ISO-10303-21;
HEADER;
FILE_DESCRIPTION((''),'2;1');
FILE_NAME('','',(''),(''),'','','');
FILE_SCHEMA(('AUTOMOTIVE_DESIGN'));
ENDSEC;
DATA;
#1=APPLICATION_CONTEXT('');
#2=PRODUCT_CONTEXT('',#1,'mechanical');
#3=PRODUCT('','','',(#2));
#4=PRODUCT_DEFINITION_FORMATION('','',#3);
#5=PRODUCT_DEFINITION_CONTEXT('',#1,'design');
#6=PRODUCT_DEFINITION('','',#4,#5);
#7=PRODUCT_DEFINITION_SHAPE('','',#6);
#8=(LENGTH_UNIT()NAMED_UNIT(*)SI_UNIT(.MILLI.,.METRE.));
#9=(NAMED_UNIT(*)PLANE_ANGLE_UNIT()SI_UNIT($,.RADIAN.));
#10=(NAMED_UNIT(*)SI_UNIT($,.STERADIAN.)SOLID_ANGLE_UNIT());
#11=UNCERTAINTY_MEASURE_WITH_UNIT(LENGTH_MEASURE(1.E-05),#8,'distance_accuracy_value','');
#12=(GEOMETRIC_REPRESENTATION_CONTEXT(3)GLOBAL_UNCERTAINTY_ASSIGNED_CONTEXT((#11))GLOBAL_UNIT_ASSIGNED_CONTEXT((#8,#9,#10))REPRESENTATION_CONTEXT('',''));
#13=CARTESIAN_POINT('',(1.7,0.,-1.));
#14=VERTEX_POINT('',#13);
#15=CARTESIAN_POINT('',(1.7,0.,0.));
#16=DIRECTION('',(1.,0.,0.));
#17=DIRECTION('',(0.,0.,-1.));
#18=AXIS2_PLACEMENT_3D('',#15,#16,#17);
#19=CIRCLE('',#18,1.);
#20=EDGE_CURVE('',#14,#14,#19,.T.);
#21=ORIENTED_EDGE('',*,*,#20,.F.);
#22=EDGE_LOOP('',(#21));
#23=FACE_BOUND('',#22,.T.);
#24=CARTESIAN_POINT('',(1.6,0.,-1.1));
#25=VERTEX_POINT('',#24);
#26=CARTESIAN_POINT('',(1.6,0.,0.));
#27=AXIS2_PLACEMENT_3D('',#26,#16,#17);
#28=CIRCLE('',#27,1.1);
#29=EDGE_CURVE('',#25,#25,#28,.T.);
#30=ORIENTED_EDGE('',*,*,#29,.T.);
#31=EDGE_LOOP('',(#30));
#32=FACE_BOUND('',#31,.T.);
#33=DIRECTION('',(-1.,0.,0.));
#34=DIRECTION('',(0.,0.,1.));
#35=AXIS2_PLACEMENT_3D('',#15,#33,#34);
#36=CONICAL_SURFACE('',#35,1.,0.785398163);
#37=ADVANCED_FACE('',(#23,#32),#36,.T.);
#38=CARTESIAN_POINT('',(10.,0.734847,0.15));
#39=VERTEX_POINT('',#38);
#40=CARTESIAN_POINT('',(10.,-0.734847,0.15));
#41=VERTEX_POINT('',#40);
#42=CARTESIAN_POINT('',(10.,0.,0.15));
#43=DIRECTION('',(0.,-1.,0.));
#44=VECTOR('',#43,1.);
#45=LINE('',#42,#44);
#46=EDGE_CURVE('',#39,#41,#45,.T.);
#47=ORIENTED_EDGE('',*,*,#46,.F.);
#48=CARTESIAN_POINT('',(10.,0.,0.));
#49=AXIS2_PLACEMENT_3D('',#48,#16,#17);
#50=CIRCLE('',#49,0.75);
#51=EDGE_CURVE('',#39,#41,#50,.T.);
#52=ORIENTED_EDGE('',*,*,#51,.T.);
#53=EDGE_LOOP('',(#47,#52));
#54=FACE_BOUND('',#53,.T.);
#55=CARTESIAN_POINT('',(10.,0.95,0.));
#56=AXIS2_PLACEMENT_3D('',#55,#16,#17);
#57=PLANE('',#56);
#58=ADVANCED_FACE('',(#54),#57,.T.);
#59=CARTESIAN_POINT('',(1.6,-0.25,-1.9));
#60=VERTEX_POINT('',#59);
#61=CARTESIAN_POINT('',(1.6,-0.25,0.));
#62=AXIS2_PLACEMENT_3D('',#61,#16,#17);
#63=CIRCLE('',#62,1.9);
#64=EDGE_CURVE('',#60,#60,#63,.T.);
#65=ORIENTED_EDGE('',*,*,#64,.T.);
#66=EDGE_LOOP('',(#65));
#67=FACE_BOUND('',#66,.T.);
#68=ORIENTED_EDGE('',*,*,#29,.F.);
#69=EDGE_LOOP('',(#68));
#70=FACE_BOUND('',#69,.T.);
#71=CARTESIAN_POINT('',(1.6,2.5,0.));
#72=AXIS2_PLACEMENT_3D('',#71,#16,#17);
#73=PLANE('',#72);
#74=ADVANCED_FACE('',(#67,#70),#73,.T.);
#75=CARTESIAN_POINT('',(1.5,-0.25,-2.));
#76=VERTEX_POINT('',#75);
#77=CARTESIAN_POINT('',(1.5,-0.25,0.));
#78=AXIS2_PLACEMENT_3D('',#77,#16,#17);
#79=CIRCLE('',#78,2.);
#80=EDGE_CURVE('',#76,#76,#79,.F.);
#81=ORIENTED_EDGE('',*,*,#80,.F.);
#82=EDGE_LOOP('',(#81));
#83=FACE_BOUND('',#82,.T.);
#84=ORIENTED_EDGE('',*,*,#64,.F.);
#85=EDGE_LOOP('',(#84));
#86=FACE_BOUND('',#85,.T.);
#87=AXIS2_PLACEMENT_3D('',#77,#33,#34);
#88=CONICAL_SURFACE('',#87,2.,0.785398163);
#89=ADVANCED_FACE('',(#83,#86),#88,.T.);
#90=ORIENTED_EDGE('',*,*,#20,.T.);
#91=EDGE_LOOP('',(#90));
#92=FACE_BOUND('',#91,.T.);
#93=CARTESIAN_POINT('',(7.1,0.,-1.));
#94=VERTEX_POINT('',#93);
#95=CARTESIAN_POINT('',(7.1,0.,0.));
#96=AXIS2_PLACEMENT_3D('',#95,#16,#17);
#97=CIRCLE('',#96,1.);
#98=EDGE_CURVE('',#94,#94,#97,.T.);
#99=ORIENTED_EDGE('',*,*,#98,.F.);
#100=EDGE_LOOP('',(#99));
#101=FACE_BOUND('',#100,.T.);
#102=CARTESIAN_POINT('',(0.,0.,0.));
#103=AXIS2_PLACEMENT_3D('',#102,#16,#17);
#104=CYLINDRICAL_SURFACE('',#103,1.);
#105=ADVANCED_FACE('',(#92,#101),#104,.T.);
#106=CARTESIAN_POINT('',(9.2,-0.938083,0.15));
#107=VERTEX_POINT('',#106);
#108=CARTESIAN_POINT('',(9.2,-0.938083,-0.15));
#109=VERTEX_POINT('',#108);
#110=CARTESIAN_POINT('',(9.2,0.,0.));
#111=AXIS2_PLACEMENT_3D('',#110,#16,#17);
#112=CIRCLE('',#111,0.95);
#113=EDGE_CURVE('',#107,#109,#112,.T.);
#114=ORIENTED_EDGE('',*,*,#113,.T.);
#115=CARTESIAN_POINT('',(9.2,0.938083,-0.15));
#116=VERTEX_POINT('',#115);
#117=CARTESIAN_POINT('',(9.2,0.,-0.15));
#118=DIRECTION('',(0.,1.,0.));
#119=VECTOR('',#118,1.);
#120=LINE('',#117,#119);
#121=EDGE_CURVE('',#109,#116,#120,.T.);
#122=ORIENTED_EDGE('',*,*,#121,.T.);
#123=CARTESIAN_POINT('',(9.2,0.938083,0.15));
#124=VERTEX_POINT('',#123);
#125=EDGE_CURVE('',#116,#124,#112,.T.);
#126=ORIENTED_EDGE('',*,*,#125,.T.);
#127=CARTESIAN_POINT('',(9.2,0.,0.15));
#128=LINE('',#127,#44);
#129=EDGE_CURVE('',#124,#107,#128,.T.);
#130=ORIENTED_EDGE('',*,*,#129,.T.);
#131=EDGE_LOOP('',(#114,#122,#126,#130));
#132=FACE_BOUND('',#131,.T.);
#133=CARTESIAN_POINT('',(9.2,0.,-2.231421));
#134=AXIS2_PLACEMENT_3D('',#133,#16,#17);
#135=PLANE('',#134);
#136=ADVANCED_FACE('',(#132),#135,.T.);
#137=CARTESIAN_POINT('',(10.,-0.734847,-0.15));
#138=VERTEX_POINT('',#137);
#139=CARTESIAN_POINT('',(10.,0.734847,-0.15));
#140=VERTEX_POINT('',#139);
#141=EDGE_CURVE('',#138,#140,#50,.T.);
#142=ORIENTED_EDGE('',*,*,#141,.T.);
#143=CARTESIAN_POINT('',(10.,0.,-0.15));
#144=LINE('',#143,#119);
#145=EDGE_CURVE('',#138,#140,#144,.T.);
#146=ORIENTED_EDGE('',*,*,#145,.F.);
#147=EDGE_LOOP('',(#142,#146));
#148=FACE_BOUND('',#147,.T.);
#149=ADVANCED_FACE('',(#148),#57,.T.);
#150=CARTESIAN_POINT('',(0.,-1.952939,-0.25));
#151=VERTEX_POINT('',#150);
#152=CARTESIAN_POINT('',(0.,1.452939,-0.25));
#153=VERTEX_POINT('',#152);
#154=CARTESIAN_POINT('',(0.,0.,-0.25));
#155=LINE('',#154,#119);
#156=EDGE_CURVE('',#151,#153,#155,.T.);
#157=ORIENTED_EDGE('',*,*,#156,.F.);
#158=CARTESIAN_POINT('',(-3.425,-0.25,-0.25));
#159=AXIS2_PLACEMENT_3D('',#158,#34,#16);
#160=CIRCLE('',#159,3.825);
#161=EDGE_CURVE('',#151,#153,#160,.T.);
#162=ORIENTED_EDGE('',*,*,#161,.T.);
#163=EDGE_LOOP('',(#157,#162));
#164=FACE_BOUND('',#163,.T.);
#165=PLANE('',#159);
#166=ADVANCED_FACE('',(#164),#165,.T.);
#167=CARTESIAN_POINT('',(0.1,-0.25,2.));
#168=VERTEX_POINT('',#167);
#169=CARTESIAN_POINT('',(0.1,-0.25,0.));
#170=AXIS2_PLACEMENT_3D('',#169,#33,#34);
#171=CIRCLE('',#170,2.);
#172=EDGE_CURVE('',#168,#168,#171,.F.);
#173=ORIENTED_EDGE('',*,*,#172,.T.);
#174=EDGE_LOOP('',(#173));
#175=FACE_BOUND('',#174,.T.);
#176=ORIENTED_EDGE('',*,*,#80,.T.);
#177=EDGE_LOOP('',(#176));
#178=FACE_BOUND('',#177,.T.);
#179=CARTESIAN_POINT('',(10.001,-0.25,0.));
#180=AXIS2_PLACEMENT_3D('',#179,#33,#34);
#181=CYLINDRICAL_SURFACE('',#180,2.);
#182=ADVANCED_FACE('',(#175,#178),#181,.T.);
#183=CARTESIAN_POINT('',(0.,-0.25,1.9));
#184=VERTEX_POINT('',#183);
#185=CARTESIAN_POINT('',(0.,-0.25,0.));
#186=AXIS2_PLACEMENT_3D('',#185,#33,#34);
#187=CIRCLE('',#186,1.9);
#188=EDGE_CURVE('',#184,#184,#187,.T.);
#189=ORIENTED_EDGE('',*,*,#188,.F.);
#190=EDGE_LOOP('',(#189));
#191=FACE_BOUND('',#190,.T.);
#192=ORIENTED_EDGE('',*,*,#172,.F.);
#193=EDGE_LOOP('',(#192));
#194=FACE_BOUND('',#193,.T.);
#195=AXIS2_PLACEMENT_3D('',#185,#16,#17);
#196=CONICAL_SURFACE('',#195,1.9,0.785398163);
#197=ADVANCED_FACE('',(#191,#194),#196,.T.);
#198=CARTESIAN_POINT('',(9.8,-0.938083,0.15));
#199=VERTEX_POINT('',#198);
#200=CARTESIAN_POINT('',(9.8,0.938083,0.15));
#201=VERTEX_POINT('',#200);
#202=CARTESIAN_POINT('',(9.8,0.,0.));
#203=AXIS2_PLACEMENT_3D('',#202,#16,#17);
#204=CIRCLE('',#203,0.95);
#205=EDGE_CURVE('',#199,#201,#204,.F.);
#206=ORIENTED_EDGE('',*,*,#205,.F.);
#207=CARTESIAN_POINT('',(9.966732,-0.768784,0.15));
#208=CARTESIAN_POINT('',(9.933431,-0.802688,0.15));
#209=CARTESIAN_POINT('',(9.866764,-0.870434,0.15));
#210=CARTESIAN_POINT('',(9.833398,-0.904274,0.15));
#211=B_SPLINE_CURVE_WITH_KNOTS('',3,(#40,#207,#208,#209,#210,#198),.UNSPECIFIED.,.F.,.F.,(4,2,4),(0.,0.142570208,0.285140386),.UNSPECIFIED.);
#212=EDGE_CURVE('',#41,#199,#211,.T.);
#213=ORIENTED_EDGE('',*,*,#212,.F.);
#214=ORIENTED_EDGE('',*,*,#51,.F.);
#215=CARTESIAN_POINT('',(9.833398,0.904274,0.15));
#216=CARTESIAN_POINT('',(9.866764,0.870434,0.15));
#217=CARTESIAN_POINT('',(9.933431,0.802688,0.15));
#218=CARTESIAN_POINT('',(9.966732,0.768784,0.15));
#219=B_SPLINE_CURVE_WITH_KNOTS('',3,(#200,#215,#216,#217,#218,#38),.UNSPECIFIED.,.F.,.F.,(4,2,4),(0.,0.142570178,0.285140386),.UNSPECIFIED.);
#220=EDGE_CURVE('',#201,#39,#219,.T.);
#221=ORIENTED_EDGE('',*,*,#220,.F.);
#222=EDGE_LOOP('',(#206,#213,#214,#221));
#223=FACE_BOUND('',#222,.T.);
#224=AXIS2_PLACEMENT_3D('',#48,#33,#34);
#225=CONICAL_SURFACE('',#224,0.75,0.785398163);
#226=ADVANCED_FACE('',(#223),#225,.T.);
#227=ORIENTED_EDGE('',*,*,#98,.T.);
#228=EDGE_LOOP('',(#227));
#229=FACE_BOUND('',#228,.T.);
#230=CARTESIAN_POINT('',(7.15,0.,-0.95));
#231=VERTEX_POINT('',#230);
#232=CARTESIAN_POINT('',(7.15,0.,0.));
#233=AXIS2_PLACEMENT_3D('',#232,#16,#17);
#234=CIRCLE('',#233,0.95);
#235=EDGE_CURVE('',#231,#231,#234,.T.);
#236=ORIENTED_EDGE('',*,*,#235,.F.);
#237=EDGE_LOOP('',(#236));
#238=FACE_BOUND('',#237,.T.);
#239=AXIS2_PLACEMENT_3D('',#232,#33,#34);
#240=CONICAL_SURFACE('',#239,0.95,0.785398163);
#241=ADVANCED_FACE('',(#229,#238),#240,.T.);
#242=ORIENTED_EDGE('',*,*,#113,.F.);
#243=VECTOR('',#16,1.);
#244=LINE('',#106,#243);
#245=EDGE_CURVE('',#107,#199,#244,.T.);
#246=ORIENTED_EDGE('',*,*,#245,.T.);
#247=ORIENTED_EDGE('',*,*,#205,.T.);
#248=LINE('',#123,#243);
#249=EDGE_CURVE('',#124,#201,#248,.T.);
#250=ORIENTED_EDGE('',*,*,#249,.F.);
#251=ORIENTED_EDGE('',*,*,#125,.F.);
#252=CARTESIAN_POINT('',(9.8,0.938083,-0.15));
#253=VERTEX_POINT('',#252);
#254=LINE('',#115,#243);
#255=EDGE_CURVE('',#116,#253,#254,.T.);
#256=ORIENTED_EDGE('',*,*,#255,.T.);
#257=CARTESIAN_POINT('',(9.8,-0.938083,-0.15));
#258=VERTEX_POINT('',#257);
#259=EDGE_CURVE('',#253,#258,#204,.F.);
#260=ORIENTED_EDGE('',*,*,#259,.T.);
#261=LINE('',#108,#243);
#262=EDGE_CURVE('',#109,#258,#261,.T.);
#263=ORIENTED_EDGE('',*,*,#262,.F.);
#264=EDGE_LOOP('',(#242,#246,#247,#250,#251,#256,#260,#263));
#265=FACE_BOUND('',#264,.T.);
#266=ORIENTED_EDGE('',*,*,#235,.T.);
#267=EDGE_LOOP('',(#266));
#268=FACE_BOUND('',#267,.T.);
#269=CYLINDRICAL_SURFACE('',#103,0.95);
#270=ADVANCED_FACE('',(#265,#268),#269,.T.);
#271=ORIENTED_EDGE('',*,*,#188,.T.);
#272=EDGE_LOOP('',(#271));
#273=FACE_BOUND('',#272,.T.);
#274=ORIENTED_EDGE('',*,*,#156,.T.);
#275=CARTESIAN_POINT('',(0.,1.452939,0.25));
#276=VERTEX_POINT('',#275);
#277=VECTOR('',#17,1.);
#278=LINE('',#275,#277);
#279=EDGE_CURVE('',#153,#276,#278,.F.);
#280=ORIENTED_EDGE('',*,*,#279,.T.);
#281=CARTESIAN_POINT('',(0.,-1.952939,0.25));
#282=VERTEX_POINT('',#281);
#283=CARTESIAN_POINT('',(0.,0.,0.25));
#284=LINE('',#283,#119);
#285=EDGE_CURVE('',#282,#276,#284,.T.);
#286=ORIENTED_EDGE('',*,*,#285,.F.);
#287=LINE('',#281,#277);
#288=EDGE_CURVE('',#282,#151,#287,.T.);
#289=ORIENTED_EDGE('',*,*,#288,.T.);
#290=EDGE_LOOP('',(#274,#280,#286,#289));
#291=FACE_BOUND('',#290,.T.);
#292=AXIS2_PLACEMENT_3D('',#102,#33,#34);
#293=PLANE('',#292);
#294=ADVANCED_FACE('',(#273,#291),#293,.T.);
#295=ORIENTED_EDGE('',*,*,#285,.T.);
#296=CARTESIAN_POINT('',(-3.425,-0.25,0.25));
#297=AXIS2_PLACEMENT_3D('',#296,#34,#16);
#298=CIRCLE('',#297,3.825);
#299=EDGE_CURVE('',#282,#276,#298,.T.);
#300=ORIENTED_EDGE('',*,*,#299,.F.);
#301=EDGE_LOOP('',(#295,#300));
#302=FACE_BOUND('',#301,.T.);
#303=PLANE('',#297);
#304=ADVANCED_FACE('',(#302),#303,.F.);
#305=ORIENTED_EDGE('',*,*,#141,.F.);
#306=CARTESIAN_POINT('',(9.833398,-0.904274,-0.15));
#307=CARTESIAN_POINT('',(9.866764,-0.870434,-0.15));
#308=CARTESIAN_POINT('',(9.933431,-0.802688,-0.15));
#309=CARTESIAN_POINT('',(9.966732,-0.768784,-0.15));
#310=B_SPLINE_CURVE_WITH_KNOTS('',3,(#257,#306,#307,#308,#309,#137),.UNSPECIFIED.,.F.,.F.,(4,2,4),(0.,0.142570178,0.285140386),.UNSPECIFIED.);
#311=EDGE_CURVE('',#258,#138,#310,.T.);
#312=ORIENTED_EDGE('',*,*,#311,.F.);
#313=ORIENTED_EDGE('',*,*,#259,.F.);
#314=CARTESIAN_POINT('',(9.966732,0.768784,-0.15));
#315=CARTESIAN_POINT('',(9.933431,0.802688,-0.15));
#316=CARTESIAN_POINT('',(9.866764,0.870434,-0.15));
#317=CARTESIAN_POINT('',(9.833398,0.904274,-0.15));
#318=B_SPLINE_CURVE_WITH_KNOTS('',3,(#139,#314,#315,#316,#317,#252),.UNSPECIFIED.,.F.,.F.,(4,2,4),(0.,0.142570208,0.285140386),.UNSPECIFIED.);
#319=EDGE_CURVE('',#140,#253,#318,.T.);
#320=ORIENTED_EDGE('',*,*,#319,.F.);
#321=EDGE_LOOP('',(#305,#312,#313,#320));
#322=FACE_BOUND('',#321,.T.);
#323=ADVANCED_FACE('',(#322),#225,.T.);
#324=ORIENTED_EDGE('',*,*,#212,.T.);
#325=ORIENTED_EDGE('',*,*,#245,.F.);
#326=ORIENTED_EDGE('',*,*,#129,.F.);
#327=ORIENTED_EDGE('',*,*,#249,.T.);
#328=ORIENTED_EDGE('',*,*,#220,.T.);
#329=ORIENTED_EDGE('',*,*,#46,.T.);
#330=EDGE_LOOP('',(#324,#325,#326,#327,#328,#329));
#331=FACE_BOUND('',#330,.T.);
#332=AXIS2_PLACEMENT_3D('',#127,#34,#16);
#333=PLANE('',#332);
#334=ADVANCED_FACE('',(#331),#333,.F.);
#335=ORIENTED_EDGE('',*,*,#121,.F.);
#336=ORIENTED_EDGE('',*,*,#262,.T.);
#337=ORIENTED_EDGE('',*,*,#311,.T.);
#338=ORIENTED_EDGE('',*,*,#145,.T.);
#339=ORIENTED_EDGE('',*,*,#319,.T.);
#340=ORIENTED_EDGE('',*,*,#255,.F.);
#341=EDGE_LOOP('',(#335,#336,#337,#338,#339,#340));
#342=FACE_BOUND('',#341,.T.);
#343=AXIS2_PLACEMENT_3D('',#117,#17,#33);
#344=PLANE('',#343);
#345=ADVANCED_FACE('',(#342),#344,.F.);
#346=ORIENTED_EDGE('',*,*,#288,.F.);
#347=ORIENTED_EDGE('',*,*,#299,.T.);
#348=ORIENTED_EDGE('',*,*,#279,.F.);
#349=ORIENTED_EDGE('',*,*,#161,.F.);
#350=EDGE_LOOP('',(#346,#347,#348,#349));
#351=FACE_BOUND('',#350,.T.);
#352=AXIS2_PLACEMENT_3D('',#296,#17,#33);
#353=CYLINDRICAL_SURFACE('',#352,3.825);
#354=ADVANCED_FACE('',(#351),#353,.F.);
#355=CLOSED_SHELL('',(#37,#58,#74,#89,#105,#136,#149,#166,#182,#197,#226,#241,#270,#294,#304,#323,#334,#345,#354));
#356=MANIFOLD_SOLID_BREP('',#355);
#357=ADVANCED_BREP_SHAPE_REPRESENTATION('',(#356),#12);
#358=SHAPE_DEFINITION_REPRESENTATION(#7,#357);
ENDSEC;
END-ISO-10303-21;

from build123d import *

# Parameters (mm, degrees)
CUT_EXTRUDE_5_REACH      = 12
SKETCH_2_R               = 2.5
SKETCH_2_R_2             = 2
CUT_EXTRUDE_8_DEPTH      = 0.8
CHAMFER_1_SIZE           = 0.2
CHAMFER_2_SIZE           = 0.1
SKETCH_4_R               = 3.825
CUT_EXTRUDE_9_DEPTH      = 0.25
CUT_EXTRUDE_9_DEPTH_BACK = 0.25


with BuildPart() as part:
    # Эскиз1 → Повернуть1 (revolve)
    with BuildSketch(Plane.XY):
        Polygon((0, 0), (0, 2.5), (1.6, 2.5), (1.6, 1.1), (1.7, 1), (7.1, 1), (7.15, 0.95), (10, 0.95), (10, 0), align=None)
    revolve(axis=Axis((0, 0, 0), (-1, 0, 0)))

    # Эскиз2 → Вырез-Вытянуть5 (cut, up to next)
    with BuildSketch(Plane.ZY, mode=Mode.PRIVATE) as cut_extrude_5_sk1:
        Circle(SKETCH_2_R)
        with Locations((0, -0.25)):
            Circle(SKETCH_2_R_2, mode=Mode.SUBTRACT)
    cut_extrude_5_tool1 = extrude(cut_extrude_5_sk1.sketch, amount=-CUT_EXTRUDE_5_REACH, mode=Mode.PRIVATE) & part.part
    add(cut_extrude_5_tool1.solids().sort_by_distance((0, 0, -2.429289))[0], mode=Mode.SUBTRACT)

    # Эскиз3 → Вырез-Вытянуть8 (cut)
    with BuildSketch(Plane(origin=(10, 0, 0), x_dir=(0, 0, -1), z_dir=(1, 0, 0))):
        with BuildLine():
            ThreePointArc((0.15, 0.938083152), (0, 0.95), (-0.15, 0.938083152))
            Line((-0.15, 0.938083152), (-0.15, -0.938083152))
            ThreePointArc((-0.15, -0.938083152), (0, -0.95), (0.15, -0.938083152))
            Line((0.15, -0.938083152), (0.15, 0.938083152))
        make_face()
    extrude(amount=-CUT_EXTRUDE_8_DEPTH, mode=Mode.SUBTRACT)

    # Фаска1
    chamfer_1_edges = [part.edges().sort_by_distance(p)[0] for p in [
        (10, 0, 0.95),
        (10, 0, -0.95),
    ]]
    chamfer(chamfer_1_edges, length=CHAMFER_1_SIZE)

    # Фаска2
    chamfer_2_edges = [part.edges().sort_by_distance(p)[0] for p in [
        (0, -0.25, -2),
        (1.6, -0.25, -2),
    ]]
    chamfer(chamfer_2_edges, length=CHAMFER_2_SIZE)

    # Эскиз4 → Вырез-Вытянуть9 (cut, two sides)
    with BuildSketch(Plane.XY) as cut_extrude_9_sk:
        with Locations((-3.425, -0.25)):
            Circle(SKETCH_4_R)
    extrude(amount=CUT_EXTRUDE_9_DEPTH, mode=Mode.SUBTRACT)
    extrude(cut_extrude_9_sk.sketch, amount=-CUT_EXTRUDE_9_DEPTH_BACK, mode=Mode.SUBTRACT)


solid = part.part
